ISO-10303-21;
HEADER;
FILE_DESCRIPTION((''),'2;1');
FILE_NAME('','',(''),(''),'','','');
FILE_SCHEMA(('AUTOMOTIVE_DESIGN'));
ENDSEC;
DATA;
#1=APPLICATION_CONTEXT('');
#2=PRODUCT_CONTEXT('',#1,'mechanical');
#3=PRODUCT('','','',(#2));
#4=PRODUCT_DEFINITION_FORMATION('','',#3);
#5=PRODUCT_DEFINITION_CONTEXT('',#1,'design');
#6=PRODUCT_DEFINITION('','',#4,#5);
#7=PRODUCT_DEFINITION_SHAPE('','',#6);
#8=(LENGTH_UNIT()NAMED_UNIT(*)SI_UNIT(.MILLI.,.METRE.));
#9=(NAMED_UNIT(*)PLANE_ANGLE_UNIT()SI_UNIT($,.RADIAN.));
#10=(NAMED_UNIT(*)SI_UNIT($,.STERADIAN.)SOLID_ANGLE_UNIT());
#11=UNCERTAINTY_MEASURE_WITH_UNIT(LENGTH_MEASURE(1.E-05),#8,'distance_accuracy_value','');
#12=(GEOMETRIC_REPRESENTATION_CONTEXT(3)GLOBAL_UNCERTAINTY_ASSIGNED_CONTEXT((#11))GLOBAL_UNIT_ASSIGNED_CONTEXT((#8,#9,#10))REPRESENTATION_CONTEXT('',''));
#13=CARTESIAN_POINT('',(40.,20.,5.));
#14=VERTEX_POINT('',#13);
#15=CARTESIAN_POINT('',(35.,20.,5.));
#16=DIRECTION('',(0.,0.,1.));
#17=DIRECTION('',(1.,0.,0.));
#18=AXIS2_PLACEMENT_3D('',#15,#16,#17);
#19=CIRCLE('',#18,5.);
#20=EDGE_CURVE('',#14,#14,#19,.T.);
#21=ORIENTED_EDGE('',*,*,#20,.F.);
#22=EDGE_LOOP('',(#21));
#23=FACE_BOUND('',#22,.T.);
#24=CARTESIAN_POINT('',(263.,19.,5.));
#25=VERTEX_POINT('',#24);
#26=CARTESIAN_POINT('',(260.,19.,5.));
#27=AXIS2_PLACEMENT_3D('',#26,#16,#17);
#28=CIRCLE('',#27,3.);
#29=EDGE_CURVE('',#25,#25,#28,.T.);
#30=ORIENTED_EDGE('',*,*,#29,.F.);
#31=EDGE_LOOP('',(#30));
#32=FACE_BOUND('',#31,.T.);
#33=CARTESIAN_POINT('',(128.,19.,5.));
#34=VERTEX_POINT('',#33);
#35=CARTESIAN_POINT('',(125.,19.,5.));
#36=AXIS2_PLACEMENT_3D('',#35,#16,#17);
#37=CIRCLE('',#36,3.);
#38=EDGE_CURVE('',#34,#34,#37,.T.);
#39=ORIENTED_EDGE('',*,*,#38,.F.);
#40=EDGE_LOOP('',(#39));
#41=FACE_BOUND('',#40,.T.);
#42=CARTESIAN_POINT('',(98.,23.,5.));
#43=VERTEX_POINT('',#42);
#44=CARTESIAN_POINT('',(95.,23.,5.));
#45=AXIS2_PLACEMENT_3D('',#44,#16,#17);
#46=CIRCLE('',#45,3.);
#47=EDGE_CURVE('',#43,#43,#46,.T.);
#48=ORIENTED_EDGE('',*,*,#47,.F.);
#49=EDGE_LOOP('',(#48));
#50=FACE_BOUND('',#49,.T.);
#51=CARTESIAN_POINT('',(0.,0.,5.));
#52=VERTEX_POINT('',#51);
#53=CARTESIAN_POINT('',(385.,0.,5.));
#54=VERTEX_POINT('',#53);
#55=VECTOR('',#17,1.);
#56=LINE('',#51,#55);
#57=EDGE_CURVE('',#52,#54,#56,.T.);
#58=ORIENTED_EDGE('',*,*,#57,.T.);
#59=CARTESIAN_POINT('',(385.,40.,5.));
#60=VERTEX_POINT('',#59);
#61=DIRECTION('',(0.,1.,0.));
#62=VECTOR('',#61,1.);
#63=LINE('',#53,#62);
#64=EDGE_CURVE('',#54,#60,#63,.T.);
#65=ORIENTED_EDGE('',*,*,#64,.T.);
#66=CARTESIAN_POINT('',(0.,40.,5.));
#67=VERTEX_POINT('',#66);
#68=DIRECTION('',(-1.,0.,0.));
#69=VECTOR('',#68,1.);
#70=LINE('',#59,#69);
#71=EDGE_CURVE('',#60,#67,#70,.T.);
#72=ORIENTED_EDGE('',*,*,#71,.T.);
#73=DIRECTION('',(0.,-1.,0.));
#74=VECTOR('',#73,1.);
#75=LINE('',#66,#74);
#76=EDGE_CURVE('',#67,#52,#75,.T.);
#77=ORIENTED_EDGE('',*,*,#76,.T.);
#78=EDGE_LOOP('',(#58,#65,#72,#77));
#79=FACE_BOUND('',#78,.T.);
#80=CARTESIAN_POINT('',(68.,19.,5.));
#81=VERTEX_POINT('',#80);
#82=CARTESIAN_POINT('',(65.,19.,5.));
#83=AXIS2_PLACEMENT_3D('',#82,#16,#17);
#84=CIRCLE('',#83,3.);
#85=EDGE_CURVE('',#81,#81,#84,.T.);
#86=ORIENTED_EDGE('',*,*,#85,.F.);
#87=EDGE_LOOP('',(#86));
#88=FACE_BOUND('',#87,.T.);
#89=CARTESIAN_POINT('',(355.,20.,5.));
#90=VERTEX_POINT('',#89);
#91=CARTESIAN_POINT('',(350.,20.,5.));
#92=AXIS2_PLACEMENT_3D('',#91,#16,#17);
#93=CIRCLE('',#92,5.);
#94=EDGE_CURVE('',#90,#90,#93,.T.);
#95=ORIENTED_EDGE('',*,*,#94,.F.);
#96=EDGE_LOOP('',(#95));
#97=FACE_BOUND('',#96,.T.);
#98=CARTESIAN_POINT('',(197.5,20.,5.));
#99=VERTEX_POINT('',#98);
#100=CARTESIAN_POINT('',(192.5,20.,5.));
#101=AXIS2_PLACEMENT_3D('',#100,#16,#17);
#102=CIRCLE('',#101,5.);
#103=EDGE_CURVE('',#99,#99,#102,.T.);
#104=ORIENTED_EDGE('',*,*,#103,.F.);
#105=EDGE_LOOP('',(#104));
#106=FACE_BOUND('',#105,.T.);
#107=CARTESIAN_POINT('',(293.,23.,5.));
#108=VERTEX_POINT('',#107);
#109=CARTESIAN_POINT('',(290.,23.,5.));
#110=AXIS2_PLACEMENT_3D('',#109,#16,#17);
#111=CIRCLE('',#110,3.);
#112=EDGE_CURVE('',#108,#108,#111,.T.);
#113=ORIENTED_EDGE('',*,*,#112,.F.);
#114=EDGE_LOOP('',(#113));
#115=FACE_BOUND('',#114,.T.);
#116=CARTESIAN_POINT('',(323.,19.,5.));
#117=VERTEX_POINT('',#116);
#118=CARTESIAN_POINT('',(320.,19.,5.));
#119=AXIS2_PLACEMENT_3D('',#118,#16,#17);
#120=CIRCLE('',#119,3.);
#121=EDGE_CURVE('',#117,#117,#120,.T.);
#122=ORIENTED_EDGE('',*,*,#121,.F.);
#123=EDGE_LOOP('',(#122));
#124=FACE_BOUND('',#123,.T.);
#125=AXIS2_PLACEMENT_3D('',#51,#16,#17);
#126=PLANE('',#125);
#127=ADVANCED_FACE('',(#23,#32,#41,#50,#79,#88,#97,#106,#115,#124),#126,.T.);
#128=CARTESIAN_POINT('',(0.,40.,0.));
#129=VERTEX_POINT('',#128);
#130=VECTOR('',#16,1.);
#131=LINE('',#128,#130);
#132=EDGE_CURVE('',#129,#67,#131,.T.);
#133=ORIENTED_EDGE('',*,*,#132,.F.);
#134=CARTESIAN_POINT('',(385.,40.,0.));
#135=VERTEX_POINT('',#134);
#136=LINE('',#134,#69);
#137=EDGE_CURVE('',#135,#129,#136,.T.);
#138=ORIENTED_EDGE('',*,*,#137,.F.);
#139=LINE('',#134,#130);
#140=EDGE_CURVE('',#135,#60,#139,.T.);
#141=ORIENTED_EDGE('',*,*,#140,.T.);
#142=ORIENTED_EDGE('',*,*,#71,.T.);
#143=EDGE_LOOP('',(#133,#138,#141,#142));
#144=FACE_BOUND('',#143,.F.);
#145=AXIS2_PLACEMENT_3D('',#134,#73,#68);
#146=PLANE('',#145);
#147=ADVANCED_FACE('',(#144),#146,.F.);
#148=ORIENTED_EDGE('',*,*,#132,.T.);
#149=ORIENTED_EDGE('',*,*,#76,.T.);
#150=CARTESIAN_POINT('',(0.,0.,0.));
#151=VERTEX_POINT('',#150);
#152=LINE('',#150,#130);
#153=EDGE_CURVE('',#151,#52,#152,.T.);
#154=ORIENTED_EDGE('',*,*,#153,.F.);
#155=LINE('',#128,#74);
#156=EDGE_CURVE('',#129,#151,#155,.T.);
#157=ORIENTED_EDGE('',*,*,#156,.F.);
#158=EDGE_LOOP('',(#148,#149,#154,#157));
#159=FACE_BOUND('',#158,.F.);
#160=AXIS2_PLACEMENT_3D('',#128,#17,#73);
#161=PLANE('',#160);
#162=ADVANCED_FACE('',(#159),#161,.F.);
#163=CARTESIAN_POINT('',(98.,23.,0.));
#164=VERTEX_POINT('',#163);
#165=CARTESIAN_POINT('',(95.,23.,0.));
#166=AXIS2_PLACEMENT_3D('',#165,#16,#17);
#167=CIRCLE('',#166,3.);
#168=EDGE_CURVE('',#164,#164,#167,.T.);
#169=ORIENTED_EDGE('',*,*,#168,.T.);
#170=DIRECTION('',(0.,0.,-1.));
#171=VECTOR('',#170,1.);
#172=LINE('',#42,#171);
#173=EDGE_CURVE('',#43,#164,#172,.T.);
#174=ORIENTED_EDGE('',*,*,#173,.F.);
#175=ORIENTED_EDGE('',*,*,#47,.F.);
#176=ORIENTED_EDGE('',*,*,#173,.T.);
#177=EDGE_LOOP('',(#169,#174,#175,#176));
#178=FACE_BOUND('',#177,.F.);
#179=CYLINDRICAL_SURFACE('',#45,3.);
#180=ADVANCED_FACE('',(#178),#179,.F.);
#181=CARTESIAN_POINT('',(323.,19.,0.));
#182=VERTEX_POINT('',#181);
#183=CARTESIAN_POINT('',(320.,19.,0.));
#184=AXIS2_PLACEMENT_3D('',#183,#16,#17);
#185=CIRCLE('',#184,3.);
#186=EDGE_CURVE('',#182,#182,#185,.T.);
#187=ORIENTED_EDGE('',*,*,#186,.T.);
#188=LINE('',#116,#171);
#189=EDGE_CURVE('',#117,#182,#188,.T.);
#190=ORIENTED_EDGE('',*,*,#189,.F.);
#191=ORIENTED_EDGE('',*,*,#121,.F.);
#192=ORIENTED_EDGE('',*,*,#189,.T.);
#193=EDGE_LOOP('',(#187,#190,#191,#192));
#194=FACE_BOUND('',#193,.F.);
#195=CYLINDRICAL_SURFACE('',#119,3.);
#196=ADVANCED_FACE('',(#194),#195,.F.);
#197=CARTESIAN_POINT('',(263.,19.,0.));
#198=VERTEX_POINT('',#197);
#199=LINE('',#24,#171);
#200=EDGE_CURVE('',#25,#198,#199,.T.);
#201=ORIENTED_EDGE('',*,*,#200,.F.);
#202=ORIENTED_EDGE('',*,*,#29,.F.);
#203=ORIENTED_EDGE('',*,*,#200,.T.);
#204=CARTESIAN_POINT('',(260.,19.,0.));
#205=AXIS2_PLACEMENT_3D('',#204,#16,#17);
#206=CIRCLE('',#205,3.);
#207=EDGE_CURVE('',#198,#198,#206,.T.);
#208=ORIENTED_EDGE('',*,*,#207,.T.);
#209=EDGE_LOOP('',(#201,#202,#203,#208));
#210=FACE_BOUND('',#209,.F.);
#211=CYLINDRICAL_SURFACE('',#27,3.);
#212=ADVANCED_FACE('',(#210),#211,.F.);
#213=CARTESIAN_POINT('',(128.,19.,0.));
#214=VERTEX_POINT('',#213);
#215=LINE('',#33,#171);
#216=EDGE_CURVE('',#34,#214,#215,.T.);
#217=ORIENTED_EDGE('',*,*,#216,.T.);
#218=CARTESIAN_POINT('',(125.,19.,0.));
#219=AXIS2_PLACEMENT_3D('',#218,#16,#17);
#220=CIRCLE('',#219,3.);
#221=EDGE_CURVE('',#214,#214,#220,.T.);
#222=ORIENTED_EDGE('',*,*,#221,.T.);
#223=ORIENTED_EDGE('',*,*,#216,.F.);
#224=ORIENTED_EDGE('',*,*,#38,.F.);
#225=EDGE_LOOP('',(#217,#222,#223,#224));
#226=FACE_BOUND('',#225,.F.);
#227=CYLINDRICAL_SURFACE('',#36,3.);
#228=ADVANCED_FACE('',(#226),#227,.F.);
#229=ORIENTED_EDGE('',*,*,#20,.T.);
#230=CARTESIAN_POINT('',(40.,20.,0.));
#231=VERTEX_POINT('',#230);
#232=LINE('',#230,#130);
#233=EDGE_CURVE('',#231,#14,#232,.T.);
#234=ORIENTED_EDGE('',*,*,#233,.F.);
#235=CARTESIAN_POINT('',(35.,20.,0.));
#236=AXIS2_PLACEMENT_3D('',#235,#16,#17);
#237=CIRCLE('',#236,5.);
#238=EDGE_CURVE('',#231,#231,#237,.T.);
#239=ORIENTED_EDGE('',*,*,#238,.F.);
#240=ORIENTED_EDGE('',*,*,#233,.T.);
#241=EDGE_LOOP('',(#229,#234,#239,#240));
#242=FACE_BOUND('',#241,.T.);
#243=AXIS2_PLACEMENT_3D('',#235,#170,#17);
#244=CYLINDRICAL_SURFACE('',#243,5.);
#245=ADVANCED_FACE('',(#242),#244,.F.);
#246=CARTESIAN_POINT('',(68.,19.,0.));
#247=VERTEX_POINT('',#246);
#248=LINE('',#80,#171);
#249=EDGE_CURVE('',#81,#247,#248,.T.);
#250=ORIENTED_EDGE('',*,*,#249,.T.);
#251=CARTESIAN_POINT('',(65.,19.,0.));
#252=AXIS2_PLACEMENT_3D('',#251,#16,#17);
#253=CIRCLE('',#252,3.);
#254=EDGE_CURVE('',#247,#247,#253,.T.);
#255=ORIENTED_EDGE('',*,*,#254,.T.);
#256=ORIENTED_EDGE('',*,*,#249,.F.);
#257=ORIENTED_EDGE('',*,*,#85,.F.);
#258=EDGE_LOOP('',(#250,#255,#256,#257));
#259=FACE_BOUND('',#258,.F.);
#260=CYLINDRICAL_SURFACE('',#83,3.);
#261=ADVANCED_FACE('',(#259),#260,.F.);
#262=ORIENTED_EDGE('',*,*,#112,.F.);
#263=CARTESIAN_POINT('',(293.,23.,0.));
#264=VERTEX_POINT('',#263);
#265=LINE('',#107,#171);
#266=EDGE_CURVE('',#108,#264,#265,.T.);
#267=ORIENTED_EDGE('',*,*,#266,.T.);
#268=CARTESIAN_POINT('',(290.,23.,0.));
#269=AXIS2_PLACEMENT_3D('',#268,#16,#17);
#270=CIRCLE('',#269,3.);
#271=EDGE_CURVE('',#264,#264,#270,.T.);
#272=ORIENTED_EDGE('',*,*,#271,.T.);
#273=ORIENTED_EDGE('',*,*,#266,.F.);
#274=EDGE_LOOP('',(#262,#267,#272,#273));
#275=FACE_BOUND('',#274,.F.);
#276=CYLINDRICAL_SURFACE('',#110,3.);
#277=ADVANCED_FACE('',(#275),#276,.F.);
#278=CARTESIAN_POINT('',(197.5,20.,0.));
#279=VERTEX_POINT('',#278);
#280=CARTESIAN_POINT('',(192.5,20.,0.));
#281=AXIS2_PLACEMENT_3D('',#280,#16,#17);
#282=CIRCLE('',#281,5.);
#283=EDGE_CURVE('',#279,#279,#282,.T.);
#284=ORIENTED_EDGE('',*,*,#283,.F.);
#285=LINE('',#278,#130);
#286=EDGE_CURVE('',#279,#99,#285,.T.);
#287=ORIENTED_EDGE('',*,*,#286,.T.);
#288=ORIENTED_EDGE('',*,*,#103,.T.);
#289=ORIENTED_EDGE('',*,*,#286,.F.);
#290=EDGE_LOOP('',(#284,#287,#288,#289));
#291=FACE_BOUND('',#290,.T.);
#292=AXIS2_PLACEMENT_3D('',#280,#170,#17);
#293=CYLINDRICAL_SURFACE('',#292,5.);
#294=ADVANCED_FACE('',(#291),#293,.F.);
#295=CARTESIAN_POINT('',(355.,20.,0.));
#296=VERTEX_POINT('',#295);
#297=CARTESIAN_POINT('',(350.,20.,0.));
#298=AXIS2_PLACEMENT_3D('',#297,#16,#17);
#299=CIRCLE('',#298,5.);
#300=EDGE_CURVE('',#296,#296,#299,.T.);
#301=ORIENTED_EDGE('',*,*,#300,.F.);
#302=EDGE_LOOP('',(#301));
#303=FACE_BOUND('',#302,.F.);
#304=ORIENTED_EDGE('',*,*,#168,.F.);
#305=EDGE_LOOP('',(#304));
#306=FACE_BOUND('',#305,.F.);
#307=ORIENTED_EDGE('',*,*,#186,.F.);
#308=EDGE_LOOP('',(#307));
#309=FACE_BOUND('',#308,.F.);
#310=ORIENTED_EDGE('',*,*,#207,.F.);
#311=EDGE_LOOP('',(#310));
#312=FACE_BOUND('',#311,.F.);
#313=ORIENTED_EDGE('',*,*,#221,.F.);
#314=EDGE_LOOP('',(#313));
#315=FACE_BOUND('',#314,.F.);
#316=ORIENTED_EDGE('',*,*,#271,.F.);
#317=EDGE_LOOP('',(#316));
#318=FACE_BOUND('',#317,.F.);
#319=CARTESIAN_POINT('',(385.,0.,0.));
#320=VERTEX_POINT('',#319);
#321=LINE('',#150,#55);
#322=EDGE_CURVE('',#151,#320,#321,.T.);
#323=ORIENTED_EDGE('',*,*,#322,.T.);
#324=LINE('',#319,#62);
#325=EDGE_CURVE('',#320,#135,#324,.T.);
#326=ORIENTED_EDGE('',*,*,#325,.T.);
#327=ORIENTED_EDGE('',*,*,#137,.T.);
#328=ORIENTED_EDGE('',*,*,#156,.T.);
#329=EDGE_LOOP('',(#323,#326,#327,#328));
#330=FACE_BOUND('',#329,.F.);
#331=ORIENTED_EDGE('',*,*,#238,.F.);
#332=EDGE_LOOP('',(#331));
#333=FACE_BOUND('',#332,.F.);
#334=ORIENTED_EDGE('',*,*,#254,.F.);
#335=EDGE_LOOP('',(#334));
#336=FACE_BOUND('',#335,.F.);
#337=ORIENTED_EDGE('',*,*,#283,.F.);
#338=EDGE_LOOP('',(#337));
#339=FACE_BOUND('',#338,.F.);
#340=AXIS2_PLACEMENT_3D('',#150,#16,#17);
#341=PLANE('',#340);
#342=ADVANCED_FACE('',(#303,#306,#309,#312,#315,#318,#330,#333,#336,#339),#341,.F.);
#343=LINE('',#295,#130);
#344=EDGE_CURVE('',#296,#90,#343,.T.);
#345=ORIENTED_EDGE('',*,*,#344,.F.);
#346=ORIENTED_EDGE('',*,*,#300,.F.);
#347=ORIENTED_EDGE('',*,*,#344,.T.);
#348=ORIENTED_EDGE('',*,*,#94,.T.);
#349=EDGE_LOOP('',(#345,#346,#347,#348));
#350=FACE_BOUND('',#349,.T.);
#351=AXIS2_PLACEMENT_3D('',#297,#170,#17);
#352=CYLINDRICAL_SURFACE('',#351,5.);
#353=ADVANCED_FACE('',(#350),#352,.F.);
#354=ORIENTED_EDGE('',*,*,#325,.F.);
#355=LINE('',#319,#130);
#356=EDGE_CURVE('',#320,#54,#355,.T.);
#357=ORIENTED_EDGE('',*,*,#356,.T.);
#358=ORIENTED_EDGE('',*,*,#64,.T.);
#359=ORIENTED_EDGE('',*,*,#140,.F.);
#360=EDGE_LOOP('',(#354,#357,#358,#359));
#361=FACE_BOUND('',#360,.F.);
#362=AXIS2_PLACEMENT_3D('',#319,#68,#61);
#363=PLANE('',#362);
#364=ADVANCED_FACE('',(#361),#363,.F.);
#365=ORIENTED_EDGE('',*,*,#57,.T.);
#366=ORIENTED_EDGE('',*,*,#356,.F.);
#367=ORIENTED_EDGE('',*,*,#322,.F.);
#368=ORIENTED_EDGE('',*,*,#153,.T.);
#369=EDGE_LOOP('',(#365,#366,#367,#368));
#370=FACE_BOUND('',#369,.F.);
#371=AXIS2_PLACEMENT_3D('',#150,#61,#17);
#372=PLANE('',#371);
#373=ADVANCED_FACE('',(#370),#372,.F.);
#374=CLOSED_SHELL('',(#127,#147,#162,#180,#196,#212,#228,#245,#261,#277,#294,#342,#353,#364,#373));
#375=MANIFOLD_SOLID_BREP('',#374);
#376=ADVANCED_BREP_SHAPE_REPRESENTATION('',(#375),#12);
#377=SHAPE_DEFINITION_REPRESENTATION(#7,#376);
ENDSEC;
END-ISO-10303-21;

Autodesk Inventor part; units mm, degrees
ref_plane "YZ Plane" through (0, 0, 0) normal (1, 0, 0) x (0, 1, 0)
ref_plane "XZ Plane" through (0, 0, 0) normal (0, 1, 0) x (-1, 0, 0)
ref_plane "XY Plane" through (0, 0, 0) normal (0, 0, 1) x (1, 0, 0)
sketch "Boceto1" plane through (0, 0, 0) normal (0, 0, 1) x (1, 0, 0)
  line L0 (0, 0) -> (385, 0)
  line L1 (385, 0) -> (385, 40)
  line L2 (385, 40) -> (0, 40)
  line L3 (0, 40) -> (0, 0)
  line L4 (0, 20) -> (385, 20) construction
  circle A0 centre (35, 20) radius 5
  circle A1 centre (192.5, 20) radius 5
  circle A2 centre (350, 20) radius 5
  dimension "d0" = 40
  dimension "d1" = 385
  dimension "d2" = 10
  dimension "d3" = 10
  dimension "d4" = 10
  dimension "d5" = 35
  dimension "d6" = 35
extrude "Extrusión1" add sketch "Boceto1" along normal blind 5
sketch "Boceto2" plane through (0, 0, 5) normal (0, 0, 1) x (1, 0, 0)
  circle A0 centre (65, 19) radius 3
  circle A1 centre (95, 23) radius 3
  circle A2 centre (125, 19) radius 3
  circle A3 centre (260, 19) radius 3
  circle A4 centre (290, 23) radius 3
  circle A5 centre (320, 19) radius 3
  line L0 (0, 40) -> (0, 0) projected
  line L1 (385, 0) -> (385, 40) projected
  line L2 (0, 0) -> (385, 0) projected
  dimension "d14" = 6
  dimension "d15" = 6
  dimension "d17" = 6
  dimension "d18" = 30
  dimension "d20" = 60
  dimension "d21" = 30
  dimension "d26" = 4
  dimension "d27" = 4
  dimension "d28" = 65
  dimension "d29" = 65
  dimension "d30" = 19
  dimension "d31" = 19
  dimension "d32" = 60
extrude "Extrusión2" cut sketch "Boceto2" against normal blind 10
properties part number "Sup.Acrilico" material "Acrílico, claro"
